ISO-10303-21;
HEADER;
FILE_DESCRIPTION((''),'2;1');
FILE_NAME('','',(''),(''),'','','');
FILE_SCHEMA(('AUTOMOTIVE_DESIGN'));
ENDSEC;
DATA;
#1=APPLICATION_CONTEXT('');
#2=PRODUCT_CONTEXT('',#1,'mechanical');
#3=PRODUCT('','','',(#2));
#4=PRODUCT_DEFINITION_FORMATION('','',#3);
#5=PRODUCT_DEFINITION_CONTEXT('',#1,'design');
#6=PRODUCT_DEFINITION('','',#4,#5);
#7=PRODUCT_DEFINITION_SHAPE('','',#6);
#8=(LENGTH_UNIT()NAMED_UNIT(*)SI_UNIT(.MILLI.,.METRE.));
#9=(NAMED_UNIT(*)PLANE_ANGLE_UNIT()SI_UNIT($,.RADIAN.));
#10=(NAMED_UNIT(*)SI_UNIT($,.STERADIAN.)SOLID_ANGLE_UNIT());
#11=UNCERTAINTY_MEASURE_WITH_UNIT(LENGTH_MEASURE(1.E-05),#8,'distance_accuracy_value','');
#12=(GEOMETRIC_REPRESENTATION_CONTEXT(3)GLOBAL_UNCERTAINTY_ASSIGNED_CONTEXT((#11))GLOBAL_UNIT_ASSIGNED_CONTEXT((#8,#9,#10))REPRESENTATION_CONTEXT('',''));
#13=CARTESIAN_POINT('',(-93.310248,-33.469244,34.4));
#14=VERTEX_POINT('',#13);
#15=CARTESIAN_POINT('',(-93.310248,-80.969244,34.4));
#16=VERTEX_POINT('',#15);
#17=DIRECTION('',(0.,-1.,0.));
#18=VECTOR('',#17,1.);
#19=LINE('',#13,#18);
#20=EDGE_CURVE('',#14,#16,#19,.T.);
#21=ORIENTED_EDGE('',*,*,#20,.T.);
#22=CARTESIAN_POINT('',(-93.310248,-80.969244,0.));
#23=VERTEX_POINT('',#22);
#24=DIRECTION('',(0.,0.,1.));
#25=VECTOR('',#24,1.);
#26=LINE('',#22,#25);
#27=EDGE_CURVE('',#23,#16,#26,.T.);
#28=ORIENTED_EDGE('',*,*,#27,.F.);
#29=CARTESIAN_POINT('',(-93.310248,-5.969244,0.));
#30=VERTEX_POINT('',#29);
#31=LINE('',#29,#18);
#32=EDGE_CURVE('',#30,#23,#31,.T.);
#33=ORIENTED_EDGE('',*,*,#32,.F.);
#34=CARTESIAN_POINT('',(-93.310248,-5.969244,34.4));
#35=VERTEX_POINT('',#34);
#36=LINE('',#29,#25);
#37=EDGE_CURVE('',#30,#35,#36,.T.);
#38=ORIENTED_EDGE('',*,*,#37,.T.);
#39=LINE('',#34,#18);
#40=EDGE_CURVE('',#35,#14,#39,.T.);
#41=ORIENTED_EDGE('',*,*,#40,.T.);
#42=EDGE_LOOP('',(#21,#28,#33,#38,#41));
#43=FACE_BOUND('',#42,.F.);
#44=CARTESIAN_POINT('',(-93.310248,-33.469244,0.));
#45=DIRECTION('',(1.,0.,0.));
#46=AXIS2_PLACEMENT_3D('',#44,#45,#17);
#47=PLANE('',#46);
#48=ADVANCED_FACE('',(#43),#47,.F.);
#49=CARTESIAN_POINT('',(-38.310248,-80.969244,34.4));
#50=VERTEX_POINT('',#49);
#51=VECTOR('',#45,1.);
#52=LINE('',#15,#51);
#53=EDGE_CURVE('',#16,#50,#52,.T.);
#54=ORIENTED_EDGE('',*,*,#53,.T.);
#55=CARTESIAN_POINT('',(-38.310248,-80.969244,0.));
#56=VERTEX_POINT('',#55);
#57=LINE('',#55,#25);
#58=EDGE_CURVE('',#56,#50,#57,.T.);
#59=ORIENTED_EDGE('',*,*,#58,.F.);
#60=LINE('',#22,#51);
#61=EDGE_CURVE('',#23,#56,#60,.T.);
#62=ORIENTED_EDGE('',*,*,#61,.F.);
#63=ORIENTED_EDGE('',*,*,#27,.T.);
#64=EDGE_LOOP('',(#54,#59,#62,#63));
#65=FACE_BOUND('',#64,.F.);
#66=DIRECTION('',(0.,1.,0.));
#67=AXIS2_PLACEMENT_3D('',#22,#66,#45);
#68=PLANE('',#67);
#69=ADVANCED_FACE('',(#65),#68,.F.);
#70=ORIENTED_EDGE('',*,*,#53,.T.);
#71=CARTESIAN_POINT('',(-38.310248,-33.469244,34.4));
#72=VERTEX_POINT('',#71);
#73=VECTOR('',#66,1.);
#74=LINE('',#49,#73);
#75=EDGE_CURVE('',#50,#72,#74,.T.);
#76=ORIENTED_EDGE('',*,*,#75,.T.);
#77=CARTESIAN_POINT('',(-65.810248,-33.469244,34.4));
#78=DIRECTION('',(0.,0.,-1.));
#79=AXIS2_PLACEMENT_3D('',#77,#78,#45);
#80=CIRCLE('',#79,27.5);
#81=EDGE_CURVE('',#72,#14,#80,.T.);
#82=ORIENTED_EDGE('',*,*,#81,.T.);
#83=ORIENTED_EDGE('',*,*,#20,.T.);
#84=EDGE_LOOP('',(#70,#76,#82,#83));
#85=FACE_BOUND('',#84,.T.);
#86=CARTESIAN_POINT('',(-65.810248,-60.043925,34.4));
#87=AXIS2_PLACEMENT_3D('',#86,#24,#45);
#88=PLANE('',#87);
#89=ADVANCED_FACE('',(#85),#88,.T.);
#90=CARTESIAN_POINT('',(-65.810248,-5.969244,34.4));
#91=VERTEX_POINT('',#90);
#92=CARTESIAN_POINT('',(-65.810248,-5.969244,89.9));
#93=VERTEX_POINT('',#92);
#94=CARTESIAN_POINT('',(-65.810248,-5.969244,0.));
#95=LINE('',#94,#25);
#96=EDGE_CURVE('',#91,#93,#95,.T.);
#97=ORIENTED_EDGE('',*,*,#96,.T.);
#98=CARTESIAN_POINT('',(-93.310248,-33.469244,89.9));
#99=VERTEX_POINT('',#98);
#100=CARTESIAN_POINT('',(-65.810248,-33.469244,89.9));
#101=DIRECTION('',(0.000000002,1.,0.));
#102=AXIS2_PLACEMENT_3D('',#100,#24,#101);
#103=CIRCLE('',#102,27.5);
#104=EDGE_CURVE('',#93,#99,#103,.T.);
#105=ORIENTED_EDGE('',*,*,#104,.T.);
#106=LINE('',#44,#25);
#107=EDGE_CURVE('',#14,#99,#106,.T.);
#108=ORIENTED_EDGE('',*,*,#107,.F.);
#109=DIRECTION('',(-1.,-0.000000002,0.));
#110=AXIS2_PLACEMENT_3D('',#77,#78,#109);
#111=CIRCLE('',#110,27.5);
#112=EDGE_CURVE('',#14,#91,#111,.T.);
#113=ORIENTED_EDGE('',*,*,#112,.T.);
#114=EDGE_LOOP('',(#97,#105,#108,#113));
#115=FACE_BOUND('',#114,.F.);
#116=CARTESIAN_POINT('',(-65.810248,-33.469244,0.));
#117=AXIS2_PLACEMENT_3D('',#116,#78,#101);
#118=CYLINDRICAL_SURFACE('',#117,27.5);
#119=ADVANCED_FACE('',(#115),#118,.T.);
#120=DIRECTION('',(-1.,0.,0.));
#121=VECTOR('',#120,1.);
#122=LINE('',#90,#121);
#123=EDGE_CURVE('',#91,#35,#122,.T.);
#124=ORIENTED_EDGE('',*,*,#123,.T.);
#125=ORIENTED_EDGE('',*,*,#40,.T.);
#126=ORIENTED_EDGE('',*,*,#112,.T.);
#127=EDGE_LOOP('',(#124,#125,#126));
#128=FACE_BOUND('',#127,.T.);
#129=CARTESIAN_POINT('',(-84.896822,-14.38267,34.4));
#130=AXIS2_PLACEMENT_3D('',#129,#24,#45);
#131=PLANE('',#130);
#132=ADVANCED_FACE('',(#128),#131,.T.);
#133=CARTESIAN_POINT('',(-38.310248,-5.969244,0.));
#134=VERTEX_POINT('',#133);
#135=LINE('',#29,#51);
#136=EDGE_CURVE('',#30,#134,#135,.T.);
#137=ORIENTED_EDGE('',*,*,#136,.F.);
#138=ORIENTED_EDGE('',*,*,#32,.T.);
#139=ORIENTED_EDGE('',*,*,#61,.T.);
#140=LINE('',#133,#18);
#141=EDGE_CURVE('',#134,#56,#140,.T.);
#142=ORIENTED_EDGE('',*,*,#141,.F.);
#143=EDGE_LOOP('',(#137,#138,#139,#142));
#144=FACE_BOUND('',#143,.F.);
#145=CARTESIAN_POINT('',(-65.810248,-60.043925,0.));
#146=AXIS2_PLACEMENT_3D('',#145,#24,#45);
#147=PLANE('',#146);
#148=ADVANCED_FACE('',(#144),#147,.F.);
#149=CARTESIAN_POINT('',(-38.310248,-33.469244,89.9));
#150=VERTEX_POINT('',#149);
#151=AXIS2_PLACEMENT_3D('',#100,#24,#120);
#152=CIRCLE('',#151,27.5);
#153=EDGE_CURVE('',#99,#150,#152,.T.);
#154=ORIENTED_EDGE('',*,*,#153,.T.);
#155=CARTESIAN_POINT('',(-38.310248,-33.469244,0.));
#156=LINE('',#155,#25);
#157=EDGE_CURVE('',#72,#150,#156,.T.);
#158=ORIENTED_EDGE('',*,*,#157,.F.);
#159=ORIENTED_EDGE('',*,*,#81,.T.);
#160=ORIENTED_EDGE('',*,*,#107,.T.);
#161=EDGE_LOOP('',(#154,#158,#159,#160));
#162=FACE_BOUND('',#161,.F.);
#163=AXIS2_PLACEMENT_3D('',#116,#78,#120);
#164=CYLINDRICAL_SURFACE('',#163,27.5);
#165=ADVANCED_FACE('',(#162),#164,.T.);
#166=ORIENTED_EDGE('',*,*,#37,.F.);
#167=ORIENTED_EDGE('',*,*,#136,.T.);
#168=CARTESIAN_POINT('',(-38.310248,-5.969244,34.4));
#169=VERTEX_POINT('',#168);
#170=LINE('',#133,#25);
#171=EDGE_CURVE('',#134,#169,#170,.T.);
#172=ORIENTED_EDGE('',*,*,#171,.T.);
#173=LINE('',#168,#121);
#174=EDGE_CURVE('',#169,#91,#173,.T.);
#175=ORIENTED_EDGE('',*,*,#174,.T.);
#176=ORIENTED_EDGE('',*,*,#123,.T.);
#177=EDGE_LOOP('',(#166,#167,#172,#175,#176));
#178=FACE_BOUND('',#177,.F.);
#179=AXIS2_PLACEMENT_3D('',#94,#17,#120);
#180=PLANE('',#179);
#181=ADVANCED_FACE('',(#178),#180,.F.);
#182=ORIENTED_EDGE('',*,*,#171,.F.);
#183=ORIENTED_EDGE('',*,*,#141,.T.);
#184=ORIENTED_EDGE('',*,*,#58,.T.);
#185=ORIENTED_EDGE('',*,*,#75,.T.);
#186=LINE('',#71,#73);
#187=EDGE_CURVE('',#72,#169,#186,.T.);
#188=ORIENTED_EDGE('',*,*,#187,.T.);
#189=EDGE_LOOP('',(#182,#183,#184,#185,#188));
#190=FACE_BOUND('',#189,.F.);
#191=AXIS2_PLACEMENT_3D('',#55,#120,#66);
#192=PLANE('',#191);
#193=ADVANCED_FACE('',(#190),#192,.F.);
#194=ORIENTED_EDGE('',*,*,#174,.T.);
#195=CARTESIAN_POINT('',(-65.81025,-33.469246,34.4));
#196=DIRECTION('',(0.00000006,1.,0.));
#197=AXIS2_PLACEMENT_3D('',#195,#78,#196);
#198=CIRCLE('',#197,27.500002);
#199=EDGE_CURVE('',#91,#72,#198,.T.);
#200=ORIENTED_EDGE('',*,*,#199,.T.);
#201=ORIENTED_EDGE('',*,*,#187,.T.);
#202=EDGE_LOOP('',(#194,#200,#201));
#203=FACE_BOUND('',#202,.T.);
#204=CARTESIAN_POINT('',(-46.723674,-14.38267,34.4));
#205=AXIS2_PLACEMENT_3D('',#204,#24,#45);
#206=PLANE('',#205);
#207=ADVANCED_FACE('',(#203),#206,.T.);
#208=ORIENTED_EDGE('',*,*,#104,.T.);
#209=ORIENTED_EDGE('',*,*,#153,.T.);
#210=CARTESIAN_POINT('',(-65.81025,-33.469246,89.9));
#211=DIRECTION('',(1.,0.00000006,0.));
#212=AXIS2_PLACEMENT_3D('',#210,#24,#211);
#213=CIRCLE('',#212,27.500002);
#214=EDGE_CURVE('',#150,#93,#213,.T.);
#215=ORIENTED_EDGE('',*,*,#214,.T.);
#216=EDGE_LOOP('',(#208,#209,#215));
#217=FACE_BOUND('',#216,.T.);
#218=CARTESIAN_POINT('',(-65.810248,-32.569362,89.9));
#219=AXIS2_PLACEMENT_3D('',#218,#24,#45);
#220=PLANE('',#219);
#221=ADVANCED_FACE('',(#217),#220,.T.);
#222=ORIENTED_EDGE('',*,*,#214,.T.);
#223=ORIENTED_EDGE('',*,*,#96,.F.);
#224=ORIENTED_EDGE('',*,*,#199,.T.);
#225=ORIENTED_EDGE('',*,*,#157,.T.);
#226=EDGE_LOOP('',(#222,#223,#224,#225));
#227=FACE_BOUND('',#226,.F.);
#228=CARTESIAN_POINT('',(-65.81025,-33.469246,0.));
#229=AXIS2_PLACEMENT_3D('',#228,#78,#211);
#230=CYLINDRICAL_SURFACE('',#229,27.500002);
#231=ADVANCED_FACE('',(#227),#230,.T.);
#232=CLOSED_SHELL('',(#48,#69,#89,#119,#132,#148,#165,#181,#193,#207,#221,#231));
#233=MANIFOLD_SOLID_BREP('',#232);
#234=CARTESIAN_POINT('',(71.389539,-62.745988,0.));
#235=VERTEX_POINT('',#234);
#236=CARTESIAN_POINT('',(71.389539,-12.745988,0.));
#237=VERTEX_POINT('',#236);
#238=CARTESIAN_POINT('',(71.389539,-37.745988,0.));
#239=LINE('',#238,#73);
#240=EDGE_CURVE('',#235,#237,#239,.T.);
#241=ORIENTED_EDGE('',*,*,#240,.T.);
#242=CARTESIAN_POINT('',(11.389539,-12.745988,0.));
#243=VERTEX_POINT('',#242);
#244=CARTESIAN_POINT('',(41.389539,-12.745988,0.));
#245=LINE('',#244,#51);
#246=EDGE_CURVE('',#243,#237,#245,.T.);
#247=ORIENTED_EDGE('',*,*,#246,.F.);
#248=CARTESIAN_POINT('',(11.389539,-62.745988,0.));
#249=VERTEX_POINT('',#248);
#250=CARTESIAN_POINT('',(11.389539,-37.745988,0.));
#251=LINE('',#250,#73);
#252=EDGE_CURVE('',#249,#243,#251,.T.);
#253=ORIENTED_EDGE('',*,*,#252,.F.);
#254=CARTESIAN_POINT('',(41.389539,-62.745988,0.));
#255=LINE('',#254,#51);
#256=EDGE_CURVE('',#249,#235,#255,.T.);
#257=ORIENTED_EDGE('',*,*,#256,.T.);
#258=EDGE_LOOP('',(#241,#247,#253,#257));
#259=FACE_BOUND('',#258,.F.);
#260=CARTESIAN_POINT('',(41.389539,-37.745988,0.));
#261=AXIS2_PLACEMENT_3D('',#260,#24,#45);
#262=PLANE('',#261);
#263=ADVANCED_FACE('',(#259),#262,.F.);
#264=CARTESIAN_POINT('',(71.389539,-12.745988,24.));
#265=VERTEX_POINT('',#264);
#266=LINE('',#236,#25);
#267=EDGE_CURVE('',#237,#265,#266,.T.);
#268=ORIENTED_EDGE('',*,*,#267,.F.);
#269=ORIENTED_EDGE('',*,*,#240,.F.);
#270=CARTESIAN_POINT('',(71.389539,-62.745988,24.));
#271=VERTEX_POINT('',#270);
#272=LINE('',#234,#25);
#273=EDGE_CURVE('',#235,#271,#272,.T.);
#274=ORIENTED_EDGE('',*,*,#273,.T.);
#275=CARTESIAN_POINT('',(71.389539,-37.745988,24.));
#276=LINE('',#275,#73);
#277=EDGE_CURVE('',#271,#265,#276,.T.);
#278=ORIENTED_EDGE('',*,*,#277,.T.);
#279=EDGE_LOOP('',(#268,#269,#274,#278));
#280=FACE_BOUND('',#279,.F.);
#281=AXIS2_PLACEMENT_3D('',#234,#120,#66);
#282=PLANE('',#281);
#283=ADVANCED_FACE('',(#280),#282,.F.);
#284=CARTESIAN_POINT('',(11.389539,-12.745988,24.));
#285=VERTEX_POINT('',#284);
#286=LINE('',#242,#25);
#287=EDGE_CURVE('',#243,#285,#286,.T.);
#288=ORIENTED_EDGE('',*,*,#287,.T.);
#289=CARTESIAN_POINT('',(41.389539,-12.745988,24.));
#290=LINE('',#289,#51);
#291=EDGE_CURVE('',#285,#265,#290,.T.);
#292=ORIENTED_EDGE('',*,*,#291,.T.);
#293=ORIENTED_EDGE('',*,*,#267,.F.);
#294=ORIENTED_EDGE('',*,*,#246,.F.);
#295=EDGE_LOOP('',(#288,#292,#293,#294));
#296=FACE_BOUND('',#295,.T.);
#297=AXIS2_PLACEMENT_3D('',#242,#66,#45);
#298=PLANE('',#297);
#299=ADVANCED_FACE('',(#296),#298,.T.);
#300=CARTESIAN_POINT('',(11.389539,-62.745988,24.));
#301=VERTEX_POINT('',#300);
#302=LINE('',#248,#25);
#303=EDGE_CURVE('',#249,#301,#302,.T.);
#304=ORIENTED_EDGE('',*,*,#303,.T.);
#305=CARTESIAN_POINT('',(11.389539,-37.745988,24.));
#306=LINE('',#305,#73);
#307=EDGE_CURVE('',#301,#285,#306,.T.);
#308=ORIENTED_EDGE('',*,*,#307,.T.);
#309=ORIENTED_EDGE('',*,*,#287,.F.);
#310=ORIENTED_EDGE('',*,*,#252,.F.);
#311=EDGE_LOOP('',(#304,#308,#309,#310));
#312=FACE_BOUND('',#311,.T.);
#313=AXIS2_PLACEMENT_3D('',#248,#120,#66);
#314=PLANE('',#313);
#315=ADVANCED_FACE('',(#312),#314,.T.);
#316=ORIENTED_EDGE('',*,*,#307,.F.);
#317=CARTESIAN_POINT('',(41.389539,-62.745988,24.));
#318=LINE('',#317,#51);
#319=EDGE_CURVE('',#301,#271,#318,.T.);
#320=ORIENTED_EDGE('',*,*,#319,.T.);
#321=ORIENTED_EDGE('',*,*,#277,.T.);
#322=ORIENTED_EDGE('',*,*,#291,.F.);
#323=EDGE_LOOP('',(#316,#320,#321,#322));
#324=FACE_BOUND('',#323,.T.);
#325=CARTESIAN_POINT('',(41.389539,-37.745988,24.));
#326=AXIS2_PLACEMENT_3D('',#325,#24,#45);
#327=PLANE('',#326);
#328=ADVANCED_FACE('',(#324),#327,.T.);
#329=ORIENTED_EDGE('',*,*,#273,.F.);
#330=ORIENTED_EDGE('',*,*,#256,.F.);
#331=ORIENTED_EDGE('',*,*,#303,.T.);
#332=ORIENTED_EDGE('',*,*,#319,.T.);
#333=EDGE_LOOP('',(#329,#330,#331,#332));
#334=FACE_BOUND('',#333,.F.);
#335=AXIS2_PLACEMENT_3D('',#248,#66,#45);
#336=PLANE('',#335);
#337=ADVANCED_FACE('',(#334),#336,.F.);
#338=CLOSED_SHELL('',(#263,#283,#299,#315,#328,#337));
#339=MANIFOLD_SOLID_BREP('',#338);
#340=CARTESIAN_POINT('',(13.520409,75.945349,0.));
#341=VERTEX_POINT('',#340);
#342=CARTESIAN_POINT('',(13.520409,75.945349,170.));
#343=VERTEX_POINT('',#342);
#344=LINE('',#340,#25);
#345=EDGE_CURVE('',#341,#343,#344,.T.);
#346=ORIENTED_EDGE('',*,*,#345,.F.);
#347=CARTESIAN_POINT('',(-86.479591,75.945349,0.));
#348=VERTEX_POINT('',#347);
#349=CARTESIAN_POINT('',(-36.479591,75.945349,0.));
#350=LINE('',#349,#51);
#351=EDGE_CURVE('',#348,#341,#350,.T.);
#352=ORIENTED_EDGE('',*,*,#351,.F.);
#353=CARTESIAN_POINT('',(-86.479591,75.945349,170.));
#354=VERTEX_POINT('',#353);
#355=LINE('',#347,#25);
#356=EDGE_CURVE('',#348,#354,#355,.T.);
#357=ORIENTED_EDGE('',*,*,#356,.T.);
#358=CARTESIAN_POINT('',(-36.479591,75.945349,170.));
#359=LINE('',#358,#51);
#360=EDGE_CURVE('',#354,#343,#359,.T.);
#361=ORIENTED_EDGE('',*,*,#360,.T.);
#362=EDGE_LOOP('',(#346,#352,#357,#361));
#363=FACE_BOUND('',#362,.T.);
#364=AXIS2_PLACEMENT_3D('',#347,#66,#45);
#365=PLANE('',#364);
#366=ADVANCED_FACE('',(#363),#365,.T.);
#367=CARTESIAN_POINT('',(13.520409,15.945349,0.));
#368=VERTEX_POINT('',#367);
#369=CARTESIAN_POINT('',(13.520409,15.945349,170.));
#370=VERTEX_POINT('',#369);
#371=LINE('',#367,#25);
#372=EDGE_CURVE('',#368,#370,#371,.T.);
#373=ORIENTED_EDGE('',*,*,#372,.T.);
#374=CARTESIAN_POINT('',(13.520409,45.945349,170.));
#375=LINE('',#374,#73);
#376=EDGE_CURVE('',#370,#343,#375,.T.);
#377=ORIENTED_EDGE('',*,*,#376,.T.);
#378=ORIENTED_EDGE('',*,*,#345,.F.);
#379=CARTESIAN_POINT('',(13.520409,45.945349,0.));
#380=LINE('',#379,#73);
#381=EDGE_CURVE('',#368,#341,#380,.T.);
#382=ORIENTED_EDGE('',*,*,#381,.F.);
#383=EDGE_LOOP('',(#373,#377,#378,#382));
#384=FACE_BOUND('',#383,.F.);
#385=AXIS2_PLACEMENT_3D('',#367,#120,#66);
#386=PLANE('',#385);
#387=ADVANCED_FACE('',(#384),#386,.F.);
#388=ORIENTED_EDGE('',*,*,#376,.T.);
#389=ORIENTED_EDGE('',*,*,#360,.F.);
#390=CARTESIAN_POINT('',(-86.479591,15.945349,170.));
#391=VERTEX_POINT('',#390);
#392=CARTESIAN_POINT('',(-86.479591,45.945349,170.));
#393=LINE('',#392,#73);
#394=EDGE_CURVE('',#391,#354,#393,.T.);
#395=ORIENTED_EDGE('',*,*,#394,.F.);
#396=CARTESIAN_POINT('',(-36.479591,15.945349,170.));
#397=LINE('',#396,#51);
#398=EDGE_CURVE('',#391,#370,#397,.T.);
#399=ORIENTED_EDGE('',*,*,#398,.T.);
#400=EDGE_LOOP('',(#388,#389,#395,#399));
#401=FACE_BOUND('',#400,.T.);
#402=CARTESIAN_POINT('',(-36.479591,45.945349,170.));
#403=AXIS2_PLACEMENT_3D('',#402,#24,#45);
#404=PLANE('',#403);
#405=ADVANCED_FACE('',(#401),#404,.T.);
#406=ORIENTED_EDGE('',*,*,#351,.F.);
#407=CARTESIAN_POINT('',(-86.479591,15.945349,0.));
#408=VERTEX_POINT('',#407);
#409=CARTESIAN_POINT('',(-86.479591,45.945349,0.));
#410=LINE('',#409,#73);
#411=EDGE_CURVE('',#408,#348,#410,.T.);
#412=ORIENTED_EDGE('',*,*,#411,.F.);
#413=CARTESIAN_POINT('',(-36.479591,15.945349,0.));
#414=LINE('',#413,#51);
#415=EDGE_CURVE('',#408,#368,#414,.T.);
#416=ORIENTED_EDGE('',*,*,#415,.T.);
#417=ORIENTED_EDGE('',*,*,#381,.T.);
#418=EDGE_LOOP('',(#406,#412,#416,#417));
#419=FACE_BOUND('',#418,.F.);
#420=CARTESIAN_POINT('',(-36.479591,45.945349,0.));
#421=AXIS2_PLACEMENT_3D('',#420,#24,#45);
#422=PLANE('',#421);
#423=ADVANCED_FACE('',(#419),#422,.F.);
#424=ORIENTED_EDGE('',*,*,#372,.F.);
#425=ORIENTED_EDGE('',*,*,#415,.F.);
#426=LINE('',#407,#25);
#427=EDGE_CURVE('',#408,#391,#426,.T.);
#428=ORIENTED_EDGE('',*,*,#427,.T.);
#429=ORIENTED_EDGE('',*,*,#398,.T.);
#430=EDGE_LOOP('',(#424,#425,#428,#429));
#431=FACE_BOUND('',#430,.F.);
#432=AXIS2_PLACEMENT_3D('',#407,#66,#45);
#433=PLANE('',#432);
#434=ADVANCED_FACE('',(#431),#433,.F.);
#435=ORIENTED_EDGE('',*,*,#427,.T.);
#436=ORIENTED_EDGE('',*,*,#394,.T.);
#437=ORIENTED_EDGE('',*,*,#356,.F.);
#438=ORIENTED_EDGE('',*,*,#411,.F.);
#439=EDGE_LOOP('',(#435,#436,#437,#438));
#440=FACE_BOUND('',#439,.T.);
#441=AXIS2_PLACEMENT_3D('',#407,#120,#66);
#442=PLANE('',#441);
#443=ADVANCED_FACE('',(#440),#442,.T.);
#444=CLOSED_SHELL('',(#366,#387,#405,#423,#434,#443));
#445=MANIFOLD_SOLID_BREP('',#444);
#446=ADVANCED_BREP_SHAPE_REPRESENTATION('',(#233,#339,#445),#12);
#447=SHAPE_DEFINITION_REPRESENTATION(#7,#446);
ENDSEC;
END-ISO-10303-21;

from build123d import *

# Parameters (mm, degrees)
F0_W     = 100
F0_H     = 60
F1_DEPTH = 170
F2_DEPTH = 89.9
F3_DEPTH = 34.4
F0_W_2   = 60
F0_H_2   = 50
F4_DEPTH = 24


with BuildPart() as f1:
    # F0 (on Top) → F1 (new body)
    with BuildSketch(Plane.XY):
        with Locations((-36.479591, 45.945349)):
            Rectangle(F0_W, F0_H)
    extrude(amount=F1_DEPTH)


with BuildPart() as f2:
    # F0 (on Top) → F2 (new body)
    with BuildSketch(Plane.XY):
        with BuildLine():
            ThreePointArc((-38.310248, -33.469244), (-46.364812, -14.023808), (-65.810248, -5.969244))
            ThreePointArc((-65.810248, -5.969244), (-85.255685, -14.023808), (-93.310248, -33.469244))
            ThreePointArc((-93.310248, -33.469244), (-65.810248, -60.969244), (-38.310248, -33.469244))
        make_face()
    extrude(amount=F2_DEPTH)

    # F0 (on Top) → F3 (join)
    with BuildSketch(Plane.XY):
        with BuildLine():
            ThreePointArc((-38.310248, -33.469244), (-65.810248, -60.969244), (-93.310248, -33.469244))
            Line((-93.310248, -33.469244), (-93.310248, -80.969244))
            Line((-93.310248, -80.969244), (-38.310248, -80.969244))
            Line((-38.310248, -80.969244), (-38.310248, -33.469244))
        make_face()
        with BuildLine():
            Line((-65.810248, -5.969244), (-93.310248, -5.969244))
            Line((-93.310248, -5.969244), (-93.310248, -33.469244))
            ThreePointArc((-93.310248, -33.469244), (-85.255685, -14.023808), (-65.810248, -5.969244))
        make_face()
        with BuildLine():
            Line((-38.310248, -5.969244), (-65.810248, -5.969244))
            ThreePointArc((-65.810248, -5.969244), (-46.364812, -14.023808), (-38.310248, -33.469244))
            Line((-38.310248, -33.469244), (-38.310248, -5.969244))
        make_face()
    extrude(amount=F3_DEPTH)


with BuildPart() as f4:
    # F0 (on Top) → F4 (new body)
    with BuildSketch(Plane.XY):
        with Locations((41.389539, -37.745988)):
            Rectangle(F0_W_2, F0_H_2)
    extrude(amount=F4_DEPTH)


solid = Compound([f1.part, f2.part, f4.part])
